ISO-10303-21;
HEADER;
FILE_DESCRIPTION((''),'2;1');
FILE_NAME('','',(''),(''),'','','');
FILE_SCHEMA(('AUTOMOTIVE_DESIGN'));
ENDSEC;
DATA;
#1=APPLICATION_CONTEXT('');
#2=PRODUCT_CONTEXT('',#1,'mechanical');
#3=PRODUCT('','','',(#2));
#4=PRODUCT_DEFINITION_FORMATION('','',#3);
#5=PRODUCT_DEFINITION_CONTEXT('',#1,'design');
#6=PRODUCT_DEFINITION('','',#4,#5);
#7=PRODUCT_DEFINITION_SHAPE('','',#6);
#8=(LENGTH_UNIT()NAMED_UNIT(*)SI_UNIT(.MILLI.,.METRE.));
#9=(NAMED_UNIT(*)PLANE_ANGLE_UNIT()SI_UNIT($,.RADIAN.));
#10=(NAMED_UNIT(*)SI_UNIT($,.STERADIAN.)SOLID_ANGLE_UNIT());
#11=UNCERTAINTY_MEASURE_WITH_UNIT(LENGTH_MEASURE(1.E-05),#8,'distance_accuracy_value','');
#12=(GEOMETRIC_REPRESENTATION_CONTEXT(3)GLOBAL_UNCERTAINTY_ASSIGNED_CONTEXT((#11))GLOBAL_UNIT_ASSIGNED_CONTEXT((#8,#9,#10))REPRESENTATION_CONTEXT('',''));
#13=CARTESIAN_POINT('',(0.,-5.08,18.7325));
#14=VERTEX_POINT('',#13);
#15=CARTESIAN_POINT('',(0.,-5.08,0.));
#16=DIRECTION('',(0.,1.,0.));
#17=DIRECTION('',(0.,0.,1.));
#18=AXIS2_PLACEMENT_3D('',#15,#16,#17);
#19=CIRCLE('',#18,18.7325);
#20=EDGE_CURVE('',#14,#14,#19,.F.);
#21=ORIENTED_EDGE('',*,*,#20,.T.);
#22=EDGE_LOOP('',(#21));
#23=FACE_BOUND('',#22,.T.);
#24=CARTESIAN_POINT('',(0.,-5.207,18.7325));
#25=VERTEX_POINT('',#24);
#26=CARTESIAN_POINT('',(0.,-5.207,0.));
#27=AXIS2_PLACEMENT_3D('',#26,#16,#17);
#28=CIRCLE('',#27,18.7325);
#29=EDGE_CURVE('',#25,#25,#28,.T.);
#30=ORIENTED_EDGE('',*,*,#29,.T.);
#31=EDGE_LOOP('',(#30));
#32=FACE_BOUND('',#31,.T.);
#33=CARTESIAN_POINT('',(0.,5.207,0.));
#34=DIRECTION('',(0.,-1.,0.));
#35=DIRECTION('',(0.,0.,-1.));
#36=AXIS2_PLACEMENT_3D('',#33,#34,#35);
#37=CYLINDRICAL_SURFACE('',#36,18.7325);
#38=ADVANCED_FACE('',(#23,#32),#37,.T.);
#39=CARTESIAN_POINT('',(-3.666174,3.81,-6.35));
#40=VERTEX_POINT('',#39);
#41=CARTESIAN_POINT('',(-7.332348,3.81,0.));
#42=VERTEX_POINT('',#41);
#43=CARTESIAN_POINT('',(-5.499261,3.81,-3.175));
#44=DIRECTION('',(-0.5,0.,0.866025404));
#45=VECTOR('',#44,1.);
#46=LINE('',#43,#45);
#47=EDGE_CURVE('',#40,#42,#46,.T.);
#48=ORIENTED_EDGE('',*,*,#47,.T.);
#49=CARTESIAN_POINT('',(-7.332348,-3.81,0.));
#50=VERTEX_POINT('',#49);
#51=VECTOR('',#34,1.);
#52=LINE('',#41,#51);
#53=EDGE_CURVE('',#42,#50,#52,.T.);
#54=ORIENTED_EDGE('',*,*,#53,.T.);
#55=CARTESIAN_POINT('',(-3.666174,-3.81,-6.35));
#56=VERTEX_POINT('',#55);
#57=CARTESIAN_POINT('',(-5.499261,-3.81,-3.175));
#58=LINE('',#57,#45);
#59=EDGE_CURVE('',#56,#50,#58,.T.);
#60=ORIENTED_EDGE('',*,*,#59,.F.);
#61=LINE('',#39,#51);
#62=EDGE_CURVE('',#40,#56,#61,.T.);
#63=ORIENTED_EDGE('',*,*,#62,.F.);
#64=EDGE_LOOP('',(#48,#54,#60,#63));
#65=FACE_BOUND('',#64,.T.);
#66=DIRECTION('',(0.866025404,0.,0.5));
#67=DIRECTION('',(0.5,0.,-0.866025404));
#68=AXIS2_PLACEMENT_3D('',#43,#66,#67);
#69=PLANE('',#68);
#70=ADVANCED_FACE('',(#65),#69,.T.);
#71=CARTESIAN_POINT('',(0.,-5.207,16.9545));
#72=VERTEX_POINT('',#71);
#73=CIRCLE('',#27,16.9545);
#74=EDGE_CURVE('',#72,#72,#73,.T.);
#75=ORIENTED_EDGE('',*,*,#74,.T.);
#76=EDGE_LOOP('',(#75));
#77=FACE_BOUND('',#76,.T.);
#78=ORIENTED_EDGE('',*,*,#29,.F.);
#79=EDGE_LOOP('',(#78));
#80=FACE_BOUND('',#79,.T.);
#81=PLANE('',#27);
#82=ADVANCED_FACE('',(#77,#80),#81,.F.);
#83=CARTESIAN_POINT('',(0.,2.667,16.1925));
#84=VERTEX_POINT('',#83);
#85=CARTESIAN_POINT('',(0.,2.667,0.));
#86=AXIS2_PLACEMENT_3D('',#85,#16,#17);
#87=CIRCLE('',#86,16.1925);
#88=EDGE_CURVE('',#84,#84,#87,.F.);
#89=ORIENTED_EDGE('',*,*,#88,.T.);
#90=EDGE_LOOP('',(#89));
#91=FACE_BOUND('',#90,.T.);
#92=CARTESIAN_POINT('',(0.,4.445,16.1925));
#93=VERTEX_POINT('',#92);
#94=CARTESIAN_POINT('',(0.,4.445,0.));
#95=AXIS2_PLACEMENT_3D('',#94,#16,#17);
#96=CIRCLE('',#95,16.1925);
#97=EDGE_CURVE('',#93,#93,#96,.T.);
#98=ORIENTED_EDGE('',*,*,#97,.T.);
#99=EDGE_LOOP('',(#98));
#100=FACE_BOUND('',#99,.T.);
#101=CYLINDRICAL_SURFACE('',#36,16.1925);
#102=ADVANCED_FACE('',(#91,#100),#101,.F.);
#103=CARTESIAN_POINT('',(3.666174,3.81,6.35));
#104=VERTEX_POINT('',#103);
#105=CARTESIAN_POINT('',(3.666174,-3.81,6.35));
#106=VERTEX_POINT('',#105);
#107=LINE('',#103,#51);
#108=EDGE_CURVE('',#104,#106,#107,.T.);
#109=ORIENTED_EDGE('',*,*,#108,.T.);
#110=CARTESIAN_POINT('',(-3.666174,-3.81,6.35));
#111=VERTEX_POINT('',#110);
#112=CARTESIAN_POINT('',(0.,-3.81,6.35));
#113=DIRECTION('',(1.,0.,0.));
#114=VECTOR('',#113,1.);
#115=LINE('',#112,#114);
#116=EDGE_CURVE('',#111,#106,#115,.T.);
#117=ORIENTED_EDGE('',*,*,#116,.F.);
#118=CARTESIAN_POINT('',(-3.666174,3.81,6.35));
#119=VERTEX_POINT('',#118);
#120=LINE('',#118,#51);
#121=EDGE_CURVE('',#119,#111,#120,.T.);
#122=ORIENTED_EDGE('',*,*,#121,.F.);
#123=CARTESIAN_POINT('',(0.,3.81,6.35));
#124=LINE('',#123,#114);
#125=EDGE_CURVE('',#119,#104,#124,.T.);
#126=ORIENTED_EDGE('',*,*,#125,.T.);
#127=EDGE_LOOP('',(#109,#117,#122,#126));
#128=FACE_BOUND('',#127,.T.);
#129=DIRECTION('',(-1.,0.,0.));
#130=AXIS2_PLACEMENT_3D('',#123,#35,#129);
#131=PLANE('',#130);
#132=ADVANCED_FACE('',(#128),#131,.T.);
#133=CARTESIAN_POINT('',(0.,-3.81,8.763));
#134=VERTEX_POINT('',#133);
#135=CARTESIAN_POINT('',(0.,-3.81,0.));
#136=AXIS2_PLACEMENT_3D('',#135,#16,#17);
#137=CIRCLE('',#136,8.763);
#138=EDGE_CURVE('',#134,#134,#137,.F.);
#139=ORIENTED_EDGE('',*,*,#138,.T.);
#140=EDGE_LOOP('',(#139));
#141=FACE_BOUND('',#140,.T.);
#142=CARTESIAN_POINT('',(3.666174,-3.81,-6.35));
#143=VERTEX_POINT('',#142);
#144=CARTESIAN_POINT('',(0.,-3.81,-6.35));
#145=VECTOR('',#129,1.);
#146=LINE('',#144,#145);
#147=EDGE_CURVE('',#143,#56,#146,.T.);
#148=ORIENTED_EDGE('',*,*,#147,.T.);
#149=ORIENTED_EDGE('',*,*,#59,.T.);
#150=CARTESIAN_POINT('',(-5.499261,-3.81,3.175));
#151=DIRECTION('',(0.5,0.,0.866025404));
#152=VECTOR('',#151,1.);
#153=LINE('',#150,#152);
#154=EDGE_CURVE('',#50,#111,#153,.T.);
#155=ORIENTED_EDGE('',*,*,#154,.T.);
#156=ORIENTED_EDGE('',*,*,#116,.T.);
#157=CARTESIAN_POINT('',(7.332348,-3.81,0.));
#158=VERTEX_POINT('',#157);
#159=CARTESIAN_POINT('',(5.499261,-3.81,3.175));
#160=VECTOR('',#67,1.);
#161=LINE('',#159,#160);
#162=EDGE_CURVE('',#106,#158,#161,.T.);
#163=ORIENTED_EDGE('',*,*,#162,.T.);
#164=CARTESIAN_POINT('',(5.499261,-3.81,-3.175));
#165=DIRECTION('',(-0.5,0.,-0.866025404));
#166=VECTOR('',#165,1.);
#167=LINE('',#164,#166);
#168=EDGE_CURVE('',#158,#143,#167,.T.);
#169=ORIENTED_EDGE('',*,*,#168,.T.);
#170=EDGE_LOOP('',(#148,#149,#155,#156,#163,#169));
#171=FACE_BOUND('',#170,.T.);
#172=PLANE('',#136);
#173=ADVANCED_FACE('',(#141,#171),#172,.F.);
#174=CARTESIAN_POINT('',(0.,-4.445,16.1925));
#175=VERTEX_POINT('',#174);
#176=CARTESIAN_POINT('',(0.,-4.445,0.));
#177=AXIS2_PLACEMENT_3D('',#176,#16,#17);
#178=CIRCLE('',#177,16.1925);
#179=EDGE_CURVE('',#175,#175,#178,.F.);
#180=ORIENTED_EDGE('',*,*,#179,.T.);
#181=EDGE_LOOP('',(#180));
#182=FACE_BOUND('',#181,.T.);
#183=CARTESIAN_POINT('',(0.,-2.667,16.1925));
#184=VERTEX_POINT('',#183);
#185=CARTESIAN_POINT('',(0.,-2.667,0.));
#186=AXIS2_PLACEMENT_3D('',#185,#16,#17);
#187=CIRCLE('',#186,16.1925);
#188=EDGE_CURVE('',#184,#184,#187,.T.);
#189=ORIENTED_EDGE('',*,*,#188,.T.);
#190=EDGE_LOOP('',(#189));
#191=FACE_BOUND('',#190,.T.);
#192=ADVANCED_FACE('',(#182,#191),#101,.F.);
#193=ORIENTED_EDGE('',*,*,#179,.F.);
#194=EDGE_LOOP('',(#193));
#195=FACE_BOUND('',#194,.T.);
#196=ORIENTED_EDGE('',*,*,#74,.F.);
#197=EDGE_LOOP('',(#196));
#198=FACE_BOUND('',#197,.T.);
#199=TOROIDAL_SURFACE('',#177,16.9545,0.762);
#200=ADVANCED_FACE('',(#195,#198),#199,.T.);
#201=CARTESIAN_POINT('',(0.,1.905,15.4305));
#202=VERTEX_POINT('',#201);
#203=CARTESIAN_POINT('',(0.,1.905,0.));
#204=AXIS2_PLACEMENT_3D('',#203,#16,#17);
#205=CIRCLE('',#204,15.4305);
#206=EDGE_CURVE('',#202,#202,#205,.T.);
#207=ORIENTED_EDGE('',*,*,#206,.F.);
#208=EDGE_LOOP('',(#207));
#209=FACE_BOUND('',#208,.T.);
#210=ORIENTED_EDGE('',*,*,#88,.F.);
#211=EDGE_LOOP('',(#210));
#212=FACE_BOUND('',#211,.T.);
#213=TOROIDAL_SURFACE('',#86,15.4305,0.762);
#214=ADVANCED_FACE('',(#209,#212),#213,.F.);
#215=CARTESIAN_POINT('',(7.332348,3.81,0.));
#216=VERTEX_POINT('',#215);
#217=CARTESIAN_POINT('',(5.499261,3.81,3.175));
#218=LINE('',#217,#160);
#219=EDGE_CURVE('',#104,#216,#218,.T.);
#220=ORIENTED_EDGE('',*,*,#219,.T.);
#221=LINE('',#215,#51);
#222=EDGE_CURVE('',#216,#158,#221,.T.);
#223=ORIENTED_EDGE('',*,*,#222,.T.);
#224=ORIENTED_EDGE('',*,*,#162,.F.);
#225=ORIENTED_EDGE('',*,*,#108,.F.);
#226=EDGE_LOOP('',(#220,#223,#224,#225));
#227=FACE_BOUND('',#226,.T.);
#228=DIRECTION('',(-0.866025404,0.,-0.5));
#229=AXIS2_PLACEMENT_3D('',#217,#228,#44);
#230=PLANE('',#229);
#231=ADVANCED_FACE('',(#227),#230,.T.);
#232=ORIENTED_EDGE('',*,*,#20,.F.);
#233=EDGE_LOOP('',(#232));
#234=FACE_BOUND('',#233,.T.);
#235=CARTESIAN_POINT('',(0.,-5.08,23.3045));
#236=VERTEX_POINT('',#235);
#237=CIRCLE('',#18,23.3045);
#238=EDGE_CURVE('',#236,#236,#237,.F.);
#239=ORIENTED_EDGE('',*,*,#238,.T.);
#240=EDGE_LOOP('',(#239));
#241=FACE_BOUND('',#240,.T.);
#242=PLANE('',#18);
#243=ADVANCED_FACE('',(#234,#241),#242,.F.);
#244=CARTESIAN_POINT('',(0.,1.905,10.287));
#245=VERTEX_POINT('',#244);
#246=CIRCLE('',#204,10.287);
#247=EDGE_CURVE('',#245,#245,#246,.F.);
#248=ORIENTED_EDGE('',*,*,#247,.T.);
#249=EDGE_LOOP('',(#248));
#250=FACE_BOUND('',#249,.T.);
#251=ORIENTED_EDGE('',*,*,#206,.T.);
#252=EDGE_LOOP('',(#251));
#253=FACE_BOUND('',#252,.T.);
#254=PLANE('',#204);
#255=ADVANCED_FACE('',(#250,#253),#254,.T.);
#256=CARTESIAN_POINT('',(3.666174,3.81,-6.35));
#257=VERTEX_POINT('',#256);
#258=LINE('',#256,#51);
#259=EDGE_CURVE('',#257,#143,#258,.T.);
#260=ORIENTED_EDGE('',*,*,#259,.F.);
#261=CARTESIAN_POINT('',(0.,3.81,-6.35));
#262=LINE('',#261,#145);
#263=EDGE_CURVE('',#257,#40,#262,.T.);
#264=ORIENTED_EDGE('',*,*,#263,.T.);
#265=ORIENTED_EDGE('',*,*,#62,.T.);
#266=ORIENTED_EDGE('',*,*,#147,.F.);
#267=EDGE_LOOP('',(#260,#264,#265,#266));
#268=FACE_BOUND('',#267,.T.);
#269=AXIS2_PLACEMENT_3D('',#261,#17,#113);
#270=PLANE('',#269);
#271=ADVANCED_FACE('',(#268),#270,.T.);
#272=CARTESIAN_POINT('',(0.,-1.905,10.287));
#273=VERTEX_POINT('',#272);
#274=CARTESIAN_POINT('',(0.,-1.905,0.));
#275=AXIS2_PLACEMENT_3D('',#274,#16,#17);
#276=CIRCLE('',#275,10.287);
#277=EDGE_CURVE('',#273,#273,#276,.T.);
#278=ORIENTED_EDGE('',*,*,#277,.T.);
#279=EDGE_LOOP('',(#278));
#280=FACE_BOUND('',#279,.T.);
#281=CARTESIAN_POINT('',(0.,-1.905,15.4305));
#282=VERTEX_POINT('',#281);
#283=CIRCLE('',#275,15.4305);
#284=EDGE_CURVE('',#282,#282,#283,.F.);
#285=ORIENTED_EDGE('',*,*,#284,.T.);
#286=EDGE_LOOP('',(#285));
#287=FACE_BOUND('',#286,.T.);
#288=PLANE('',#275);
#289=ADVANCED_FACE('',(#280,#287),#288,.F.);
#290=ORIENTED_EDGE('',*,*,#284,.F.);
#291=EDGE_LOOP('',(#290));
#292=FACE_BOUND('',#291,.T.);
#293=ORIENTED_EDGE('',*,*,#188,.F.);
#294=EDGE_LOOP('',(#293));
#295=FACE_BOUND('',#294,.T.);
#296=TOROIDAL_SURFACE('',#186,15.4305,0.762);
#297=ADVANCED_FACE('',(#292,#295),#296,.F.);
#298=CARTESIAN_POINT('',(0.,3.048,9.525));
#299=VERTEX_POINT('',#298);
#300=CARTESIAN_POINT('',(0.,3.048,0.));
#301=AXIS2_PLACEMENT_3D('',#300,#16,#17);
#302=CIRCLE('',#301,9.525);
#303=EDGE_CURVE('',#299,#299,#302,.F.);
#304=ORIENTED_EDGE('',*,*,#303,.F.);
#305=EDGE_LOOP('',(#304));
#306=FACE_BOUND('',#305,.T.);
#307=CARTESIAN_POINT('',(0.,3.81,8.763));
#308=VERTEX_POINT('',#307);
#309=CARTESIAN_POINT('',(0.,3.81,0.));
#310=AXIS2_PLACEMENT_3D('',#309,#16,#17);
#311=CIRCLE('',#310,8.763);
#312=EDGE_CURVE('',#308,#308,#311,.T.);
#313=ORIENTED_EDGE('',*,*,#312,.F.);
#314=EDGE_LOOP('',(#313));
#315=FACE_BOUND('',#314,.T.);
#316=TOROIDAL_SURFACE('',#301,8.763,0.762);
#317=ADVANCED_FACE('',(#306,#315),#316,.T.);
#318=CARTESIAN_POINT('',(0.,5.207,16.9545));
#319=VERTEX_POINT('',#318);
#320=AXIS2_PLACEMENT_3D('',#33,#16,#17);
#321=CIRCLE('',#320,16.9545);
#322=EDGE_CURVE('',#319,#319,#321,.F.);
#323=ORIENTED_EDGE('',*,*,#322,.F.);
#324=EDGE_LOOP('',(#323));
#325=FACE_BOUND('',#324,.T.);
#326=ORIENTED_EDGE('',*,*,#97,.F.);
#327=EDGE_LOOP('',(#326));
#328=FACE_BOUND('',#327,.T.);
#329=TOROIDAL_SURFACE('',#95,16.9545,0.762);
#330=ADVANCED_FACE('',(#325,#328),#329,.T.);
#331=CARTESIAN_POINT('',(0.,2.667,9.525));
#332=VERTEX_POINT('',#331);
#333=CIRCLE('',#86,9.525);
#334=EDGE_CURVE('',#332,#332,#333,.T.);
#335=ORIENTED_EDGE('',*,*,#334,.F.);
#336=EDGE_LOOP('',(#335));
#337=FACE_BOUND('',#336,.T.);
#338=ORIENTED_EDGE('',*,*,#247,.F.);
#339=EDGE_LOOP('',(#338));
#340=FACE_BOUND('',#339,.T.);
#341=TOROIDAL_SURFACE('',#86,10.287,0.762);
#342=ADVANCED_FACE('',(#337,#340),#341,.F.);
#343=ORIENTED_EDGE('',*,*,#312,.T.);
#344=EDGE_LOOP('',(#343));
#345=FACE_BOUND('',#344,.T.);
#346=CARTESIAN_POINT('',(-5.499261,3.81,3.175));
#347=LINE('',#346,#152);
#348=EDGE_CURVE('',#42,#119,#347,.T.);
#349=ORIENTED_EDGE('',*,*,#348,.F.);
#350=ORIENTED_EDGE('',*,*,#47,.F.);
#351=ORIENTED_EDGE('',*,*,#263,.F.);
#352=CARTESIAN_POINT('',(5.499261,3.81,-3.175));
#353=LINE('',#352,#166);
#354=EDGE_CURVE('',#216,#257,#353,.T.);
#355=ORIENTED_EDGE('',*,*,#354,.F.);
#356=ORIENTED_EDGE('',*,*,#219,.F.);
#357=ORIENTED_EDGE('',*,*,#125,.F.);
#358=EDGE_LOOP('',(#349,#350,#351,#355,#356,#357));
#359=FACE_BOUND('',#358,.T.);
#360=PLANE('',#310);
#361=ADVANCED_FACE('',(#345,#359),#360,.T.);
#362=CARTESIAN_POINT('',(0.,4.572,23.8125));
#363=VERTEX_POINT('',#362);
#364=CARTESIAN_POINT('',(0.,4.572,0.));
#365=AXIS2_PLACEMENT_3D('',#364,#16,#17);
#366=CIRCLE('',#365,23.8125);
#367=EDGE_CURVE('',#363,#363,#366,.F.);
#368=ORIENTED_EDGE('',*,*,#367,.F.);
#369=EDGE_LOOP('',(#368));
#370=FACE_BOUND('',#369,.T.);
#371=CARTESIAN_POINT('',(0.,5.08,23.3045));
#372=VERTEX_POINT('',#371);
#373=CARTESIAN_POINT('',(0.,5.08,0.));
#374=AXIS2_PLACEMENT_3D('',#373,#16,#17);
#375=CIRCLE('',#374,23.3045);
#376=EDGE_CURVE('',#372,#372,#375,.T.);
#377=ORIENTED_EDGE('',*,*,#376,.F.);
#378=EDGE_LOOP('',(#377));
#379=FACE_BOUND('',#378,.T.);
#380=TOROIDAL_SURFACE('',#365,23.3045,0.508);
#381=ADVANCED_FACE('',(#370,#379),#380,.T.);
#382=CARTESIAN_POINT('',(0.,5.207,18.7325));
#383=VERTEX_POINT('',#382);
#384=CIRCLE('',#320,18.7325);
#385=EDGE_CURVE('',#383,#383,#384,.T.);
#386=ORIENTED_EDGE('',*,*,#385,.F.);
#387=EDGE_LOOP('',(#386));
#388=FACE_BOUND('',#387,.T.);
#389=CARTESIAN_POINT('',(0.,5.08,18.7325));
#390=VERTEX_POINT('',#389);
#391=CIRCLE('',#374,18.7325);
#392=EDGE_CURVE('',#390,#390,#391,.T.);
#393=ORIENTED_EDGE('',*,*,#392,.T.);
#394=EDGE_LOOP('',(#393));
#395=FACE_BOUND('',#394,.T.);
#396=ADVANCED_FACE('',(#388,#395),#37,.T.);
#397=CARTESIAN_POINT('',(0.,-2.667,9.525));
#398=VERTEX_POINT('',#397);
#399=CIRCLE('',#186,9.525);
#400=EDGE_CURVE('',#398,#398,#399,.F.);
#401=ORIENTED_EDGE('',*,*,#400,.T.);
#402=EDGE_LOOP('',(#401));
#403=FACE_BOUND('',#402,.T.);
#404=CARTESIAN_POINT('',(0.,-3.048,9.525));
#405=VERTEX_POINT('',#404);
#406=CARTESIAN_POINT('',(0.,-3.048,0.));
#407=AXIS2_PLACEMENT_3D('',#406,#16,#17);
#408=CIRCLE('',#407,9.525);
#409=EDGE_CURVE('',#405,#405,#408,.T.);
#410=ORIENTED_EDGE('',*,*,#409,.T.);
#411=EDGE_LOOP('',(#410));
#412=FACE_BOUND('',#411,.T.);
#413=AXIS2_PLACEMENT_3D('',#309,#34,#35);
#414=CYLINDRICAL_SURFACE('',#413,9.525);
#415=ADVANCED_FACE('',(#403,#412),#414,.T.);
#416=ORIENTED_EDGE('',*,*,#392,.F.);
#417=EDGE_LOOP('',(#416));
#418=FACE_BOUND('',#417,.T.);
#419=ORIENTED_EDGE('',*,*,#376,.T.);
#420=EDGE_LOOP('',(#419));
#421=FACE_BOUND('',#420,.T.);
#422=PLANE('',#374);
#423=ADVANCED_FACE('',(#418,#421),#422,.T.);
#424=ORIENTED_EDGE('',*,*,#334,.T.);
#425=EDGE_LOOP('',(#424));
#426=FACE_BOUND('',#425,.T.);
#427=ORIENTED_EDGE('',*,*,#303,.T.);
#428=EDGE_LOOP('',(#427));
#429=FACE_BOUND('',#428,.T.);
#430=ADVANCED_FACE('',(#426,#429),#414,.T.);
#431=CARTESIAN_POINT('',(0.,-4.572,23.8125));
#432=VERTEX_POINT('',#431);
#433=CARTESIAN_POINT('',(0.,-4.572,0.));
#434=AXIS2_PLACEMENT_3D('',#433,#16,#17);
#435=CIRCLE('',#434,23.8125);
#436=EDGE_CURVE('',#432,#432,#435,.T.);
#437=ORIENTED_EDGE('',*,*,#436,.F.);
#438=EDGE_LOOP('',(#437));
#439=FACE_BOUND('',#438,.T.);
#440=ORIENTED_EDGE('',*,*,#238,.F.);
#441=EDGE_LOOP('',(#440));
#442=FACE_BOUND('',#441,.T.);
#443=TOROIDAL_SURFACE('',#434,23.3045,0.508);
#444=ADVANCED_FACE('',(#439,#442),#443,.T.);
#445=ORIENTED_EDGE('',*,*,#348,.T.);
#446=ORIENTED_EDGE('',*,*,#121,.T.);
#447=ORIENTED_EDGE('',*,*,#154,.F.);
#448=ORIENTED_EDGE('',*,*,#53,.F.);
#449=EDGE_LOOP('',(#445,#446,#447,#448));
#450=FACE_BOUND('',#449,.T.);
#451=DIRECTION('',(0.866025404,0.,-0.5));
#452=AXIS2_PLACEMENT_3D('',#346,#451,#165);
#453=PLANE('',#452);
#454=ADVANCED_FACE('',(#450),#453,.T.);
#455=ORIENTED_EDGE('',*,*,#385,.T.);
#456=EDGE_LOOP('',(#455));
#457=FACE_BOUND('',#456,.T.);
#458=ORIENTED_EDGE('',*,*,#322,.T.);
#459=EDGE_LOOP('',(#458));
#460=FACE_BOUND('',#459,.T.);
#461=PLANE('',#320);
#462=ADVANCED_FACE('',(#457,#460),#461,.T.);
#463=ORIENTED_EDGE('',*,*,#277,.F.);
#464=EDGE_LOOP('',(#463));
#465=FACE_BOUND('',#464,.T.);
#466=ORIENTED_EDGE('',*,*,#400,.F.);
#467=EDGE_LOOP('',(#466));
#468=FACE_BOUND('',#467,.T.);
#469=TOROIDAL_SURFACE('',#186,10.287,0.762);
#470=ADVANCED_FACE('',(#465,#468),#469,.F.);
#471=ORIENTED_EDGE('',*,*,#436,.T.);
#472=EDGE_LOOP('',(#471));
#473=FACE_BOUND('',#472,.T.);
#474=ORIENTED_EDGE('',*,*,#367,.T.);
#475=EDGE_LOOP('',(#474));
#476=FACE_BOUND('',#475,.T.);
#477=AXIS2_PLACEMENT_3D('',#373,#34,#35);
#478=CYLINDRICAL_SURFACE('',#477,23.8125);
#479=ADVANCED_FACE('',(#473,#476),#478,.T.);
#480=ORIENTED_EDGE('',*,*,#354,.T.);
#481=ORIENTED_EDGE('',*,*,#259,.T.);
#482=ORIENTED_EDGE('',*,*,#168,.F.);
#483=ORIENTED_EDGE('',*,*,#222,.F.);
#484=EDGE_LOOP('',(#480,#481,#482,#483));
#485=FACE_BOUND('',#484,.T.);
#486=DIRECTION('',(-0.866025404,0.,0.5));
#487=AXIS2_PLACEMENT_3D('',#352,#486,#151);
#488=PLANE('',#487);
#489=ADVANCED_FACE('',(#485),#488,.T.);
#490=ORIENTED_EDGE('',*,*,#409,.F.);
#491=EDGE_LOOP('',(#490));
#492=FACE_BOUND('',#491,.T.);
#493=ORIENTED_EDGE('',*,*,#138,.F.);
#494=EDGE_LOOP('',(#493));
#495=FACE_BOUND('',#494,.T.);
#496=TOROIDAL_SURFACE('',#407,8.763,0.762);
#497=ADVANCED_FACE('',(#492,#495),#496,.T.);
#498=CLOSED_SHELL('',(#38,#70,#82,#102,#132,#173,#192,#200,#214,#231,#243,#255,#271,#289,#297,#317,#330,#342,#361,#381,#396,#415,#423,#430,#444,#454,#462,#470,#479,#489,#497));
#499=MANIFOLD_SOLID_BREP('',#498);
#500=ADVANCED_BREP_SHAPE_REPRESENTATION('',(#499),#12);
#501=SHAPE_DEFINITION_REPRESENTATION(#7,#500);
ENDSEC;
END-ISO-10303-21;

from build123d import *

# Parameters (mm, degrees)
SKETCH1_R           = 23.8125
SKETCH1_R_2         = 18.7325
BOSS_EXTRUDE1_DEPTH = 5.08
SKETCH1_3_R         = 18.7325
SKETCH1_3_R_2       = 16.1925
BOSS_EXTRUDE2_DEPTH = 5.207
SKETCH1_4_R         = 9.525
BOSS_EXTRUDE3_DEPTH = 3.81
SKETCH1_5_R         = 16.1925
SKETCH1_5_R_2       = 9.525
BOSS_EXTRUDE4_DEPTH = 1.905
FILLET1_R           = 0.762
FILLET2_R           = 0.508


with BuildPart() as part:
    # Sketch1 → Boss-Extrude1 (new, symmetric)
    with BuildSketch(Plane(origin=(0, 0, 0), x_dir=(1, 0, 0), z_dir=(0, 1, 0))):
        Circle(SKETCH1_R)
        Circle(SKETCH1_R_2, mode=Mode.SUBTRACT)
    extrude(amount=BOSS_EXTRUDE1_DEPTH, both=True)

    # Sketch1<3> → Boss-Extrude2 (add, symmetric)
    with BuildSketch(Plane(origin=(0, 0, 0), x_dir=(1, 0, 0), z_dir=(0, 1, 0))):
        Circle(SKETCH1_3_R)
        Circle(SKETCH1_3_R_2, mode=Mode.SUBTRACT)
    extrude(amount=BOSS_EXTRUDE2_DEPTH, both=True)



with BuildPart() as body_2:
    # Sketch1<4> → Boss-Extrude3 (new, symmetric)
    with BuildSketch(Plane(origin=(0, 0, 0), x_dir=(1, 0, 0), z_dir=(0, 1, 0))):
        Circle(SKETCH1_4_R)
        Polygon((-3.666174209, 6.35), (3.666174209, 6.35), (7.332348419, 0), (3.666174209, -6.35), (-3.666174209, -6.35), (-7.332348419, 0), align=None, mode=Mode.SUBTRACT)
    extrude(amount=BOSS_EXTRUDE3_DEPTH, both=True)


with BuildPart() as part_1:
    add(part.part)

    add(body_2.part)  # Boss-Extrude4 merges body 2
    # Sketch1<5> → Boss-Extrude4 (add, symmetric)
    with BuildSketch(Plane(origin=(0, 0, 0), x_dir=(1, 0, 0), z_dir=(0, 1, 0))):
        Circle(SKETCH1_5_R)
        Circle(SKETCH1_5_R_2, mode=Mode.SUBTRACT)
    extrude(amount=BOSS_EXTRUDE4_DEPTH, both=True)

    # Fillet1
    fillet1_edges = [part_1.edges().sort_by_distance(p)[0] for p in [
        (-16.1925, -1.905, 0),
        (-16.1925, 5.207, 0),
        (-16.1925, 1.905, 0),
        (-9.525, 3.81, 0),
        (-9.525, 1.905, 0),
        (-16.1925, -5.207, 0),
        (-9.525, -3.81, 0),
        (-9.525, -1.905, 0),
    ]]
    fillet(fillet1_edges, radius=FILLET1_R)

    # Fillet2
    fillet2_edges = [part_1.edges().sort_by_distance(p)[0] for p in [
        (-23.8125, -5.08, 0),
        (-23.8125, 5.08, 0),
    ]]
    fillet(fillet2_edges, radius=FILLET2_R)


solid = part_1.part
